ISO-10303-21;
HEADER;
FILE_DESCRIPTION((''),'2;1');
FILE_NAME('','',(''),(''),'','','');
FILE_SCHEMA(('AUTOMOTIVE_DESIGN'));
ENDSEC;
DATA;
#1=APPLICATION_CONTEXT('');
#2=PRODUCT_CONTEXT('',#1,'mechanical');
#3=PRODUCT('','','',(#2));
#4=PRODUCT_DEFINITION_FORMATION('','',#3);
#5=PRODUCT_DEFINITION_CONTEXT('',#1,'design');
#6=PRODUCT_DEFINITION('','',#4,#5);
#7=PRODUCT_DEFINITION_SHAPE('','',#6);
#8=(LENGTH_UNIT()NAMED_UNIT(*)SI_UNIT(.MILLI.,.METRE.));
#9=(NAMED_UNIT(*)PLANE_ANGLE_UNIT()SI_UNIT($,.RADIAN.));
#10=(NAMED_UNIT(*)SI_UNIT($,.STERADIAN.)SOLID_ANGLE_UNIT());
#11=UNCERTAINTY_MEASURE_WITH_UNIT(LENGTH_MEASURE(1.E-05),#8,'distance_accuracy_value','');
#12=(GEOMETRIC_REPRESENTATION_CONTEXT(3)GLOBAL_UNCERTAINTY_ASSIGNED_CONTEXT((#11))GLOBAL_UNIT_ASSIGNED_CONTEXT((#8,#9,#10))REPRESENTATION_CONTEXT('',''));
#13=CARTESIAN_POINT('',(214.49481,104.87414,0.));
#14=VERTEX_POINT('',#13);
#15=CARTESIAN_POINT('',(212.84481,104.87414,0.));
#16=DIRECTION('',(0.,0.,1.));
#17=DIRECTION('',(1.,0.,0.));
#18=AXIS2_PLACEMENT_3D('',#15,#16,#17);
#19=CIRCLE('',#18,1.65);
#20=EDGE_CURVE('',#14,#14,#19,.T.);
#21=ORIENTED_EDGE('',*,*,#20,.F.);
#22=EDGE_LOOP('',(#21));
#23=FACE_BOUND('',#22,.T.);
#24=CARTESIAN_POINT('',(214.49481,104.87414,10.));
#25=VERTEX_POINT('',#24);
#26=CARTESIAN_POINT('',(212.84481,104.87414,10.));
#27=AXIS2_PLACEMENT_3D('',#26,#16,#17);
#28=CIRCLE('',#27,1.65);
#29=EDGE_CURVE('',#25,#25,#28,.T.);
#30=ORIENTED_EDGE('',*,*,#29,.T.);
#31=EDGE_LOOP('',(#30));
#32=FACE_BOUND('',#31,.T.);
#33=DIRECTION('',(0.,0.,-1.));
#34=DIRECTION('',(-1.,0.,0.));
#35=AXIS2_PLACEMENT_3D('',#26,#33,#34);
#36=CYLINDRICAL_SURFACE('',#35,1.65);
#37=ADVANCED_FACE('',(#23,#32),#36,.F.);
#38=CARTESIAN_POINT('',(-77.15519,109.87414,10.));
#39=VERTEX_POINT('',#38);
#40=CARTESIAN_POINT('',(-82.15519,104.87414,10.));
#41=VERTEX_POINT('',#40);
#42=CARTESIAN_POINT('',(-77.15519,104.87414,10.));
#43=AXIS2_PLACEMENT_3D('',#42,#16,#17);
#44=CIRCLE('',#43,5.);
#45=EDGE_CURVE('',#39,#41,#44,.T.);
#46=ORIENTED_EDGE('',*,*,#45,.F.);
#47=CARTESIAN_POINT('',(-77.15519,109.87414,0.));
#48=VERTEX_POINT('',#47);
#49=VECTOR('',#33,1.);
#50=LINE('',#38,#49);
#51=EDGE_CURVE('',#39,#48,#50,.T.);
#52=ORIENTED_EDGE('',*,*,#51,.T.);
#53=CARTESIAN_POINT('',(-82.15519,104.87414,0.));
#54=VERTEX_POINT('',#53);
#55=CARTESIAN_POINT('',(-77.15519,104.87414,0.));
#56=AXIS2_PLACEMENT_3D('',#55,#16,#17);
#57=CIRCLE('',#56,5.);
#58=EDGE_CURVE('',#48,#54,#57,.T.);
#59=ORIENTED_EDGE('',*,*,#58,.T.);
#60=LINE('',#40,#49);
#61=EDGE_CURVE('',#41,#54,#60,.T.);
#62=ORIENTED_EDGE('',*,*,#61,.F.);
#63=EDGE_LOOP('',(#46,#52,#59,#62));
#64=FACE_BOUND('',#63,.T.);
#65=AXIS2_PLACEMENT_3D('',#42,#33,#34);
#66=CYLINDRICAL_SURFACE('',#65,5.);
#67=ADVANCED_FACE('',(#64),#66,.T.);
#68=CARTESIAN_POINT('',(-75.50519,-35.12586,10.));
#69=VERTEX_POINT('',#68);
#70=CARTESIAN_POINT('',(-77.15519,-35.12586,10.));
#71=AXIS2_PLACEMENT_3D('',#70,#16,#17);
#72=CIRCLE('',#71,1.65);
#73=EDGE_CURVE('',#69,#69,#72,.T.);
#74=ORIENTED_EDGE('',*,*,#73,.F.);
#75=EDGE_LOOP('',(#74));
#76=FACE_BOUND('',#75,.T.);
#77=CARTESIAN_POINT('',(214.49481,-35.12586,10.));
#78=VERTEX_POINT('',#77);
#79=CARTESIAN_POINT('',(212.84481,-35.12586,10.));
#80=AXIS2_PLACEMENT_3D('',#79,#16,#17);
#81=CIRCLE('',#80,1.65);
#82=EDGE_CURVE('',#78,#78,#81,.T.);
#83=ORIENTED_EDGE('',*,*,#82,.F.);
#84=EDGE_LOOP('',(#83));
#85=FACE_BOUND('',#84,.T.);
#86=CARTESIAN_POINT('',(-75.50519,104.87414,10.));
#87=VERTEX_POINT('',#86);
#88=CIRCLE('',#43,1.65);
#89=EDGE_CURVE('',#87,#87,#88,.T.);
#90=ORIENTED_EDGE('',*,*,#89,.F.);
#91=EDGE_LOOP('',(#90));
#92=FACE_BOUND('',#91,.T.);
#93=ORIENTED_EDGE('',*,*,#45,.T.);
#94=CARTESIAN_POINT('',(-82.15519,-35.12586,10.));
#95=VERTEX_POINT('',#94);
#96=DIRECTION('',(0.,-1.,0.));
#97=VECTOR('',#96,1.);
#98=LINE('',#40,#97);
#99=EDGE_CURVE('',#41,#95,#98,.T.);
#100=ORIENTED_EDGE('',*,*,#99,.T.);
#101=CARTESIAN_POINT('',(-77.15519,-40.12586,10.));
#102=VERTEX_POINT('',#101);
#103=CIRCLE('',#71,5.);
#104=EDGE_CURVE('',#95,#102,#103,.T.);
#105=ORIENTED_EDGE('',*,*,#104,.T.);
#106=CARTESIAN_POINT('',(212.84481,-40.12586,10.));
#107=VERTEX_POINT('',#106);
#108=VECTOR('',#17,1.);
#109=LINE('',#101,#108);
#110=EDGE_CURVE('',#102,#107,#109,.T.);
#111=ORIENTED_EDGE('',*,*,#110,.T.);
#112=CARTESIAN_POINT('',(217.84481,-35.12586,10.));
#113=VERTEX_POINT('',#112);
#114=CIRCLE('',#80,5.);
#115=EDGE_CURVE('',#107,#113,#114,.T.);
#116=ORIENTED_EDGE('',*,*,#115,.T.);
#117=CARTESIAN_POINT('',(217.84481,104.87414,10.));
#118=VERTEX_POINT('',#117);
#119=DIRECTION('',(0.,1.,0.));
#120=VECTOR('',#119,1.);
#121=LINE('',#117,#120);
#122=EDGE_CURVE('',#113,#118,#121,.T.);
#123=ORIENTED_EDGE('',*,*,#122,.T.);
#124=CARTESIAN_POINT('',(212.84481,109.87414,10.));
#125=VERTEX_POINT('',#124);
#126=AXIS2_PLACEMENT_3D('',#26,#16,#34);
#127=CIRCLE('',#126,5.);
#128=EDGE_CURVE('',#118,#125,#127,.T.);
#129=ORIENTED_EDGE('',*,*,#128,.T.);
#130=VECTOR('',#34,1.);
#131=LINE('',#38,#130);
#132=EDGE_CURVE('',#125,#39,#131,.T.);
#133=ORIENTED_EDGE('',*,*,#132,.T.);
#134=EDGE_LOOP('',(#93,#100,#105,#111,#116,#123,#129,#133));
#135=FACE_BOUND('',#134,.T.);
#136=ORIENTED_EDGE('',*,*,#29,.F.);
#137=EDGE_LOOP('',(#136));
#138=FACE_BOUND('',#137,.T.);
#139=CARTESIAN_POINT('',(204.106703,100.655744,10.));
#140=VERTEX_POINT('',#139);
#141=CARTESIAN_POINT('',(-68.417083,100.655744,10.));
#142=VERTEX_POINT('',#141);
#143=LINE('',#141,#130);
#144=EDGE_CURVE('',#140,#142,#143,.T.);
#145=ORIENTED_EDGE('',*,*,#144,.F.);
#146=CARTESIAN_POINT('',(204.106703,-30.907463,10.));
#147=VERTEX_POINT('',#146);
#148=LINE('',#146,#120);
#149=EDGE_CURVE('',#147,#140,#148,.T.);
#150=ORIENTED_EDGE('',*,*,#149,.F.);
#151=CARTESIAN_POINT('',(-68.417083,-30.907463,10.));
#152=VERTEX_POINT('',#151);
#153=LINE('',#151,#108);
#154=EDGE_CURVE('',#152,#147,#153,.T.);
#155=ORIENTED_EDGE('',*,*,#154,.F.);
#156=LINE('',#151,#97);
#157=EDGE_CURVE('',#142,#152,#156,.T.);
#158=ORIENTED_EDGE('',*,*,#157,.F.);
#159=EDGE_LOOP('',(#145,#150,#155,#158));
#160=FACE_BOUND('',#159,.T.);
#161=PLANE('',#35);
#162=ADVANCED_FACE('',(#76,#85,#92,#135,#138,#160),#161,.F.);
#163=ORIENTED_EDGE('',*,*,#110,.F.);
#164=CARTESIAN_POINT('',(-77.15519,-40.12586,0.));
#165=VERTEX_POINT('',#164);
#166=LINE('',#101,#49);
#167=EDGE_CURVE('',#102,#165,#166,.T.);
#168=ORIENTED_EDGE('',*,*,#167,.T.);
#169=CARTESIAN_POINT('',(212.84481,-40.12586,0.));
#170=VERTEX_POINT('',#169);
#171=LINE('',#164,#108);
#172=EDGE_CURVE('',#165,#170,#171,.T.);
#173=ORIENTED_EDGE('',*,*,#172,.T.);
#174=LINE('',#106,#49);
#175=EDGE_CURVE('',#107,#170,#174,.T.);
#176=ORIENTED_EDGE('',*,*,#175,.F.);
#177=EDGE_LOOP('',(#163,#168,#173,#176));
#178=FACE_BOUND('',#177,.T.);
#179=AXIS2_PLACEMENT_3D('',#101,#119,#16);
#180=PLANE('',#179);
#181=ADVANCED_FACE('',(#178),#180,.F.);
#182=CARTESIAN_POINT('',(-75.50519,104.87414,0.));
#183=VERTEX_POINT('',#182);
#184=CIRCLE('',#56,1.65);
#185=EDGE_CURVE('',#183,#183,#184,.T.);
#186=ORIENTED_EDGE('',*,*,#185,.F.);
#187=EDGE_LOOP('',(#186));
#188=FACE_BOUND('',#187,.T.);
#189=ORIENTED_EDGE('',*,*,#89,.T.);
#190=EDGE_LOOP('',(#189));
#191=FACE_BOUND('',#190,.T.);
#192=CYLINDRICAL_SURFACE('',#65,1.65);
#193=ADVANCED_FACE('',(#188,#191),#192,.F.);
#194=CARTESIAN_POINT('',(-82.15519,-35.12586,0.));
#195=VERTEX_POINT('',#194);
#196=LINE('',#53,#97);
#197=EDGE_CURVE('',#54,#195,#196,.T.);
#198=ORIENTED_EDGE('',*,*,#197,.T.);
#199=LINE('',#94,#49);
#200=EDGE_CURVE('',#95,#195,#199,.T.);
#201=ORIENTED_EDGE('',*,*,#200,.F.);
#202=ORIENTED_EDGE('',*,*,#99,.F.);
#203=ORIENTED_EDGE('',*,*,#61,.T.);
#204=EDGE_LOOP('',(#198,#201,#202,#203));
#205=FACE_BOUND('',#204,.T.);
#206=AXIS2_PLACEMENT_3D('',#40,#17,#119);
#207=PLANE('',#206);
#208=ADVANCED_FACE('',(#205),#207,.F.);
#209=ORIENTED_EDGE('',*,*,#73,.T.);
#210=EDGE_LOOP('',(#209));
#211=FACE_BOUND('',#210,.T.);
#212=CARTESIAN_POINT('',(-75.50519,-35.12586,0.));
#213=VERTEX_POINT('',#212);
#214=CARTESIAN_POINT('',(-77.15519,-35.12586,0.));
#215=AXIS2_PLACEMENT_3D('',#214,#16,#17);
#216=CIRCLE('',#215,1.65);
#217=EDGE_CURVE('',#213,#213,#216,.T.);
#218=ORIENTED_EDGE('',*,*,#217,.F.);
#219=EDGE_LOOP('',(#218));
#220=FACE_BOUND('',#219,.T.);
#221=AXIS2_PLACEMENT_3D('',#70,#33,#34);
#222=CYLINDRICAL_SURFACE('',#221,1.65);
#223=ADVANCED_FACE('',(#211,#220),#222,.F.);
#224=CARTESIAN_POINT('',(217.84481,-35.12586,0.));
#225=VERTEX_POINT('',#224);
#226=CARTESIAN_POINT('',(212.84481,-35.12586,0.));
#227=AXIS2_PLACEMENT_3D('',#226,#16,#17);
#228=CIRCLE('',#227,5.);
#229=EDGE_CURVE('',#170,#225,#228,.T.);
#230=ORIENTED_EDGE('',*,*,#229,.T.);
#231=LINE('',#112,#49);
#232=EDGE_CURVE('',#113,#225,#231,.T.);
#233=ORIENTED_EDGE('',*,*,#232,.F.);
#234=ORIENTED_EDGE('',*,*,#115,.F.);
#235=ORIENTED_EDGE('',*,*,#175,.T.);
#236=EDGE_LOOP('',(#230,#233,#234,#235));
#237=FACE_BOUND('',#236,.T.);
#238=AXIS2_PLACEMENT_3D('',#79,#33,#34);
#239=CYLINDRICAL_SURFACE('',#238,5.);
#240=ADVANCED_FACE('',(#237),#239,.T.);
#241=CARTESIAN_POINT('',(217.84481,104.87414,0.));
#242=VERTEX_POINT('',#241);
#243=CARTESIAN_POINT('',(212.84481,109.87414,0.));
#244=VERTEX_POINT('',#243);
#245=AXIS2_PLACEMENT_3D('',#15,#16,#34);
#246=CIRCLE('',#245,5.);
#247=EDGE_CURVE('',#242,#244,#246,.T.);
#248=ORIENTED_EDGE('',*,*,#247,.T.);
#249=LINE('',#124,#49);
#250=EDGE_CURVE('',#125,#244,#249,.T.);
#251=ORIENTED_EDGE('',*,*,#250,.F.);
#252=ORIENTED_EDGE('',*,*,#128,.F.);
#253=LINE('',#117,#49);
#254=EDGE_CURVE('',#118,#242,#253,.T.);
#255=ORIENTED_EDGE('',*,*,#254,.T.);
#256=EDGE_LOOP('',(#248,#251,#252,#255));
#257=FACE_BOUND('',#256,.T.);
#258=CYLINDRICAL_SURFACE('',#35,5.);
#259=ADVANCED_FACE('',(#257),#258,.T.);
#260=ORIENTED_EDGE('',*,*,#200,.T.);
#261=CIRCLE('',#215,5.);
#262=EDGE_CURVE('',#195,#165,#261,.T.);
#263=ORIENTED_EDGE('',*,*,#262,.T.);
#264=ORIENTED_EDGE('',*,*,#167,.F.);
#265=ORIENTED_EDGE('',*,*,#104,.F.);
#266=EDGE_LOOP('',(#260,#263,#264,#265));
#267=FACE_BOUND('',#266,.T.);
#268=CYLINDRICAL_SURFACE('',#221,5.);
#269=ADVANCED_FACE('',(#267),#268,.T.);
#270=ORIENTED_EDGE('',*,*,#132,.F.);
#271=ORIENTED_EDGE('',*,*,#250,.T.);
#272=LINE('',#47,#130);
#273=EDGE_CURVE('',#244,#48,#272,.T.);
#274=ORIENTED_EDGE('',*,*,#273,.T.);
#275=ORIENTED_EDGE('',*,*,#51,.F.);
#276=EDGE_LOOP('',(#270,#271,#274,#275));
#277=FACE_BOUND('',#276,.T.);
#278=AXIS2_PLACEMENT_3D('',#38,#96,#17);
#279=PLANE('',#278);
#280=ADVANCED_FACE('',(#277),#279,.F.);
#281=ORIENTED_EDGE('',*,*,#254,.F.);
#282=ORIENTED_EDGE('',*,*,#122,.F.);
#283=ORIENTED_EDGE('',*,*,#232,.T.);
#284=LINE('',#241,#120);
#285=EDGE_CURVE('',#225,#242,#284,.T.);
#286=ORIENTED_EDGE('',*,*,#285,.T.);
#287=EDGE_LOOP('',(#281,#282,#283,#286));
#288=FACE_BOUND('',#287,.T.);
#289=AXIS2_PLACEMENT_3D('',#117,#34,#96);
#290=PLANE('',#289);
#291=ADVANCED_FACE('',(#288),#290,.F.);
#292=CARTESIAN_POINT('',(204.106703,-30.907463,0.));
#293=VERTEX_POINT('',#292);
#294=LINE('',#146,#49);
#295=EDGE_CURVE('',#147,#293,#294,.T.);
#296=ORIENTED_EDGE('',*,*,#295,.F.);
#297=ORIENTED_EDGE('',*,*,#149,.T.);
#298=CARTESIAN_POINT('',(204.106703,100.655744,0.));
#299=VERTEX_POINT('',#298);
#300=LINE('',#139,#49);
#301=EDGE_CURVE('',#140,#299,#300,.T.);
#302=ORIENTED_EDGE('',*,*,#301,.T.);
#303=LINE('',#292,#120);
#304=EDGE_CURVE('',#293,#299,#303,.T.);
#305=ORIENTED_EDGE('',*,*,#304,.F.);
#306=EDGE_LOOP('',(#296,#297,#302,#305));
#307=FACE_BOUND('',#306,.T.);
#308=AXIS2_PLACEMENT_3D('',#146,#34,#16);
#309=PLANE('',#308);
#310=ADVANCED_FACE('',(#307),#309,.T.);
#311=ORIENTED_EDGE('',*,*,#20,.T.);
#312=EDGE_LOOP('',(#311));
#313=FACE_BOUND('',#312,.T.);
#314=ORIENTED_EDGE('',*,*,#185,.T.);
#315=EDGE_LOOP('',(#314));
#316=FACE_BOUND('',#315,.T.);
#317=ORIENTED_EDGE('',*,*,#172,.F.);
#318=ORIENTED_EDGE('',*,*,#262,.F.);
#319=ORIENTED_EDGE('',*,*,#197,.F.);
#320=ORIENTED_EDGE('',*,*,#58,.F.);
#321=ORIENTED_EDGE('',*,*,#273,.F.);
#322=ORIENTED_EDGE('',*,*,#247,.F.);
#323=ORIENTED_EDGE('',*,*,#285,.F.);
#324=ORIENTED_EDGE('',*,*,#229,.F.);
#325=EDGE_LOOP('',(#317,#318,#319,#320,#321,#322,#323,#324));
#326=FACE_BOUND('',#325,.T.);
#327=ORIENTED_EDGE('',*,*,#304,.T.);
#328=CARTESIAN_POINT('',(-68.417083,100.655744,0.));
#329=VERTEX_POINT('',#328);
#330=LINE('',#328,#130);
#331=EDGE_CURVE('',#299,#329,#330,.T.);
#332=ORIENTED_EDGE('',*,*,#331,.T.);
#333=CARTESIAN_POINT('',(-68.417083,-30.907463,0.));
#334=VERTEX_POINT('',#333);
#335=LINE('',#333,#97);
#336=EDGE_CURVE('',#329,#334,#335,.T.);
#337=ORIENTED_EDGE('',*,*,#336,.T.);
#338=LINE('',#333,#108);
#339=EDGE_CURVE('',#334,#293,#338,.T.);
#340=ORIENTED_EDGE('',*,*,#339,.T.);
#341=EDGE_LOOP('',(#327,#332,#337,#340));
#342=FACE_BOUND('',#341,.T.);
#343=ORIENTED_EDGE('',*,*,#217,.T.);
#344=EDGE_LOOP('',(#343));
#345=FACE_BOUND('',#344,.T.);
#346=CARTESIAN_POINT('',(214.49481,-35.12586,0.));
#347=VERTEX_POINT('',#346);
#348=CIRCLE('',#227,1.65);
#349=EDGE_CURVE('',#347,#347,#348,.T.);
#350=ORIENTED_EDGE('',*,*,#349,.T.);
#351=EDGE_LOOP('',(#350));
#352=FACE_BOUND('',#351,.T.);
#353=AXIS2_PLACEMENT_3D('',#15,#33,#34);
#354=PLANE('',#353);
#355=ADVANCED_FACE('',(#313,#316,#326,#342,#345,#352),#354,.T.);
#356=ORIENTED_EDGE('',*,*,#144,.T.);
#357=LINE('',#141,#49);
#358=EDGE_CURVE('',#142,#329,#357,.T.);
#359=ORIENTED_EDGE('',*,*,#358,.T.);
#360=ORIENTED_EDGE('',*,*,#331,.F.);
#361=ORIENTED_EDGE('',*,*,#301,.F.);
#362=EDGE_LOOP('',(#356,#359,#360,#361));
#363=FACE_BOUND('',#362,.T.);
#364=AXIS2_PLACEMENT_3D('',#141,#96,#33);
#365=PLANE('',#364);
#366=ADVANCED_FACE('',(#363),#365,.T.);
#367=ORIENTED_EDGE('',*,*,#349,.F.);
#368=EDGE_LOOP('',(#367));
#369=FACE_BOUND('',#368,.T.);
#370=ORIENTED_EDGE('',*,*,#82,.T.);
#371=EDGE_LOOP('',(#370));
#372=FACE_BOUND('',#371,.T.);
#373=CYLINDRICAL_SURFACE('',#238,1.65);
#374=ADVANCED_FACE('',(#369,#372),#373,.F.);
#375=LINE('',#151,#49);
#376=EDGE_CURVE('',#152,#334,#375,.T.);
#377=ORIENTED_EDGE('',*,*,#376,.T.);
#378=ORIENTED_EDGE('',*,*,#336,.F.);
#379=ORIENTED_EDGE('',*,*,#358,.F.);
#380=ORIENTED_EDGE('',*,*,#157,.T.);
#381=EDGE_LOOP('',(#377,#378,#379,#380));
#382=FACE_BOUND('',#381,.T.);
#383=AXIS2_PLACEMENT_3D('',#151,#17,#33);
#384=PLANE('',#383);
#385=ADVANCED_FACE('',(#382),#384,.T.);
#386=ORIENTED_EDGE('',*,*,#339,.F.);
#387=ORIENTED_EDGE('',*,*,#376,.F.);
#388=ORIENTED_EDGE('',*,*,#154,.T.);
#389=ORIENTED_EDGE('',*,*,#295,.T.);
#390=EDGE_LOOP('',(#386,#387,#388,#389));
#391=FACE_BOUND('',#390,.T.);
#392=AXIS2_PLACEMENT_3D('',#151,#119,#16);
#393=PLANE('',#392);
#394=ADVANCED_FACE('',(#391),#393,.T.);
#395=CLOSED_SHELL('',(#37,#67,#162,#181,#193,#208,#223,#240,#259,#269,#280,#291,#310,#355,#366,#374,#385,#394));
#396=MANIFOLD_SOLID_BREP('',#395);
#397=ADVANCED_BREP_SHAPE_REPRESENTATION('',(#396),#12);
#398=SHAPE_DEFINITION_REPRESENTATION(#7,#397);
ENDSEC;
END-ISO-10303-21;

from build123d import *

# Parameters (mm, degrees)
SKETCH_1_R      = 1.65
SKETCH_1_W      = 272.523786307
SKETCH_1_H      = 131.563207183
EXTRUDE_4_DEPTH = 10


with BuildPart() as part:
    # 草图1 → 凸台-拉伸4 (new body)
    with BuildSketch(Plane.XY):
        with BuildLine():
            Line((-77.155190134, 109.874140248), (212.844809866, 109.874140248))
            ThreePointArc((212.844809866, 109.874140248), (216.380343772, 108.409674154), (217.844809866, 104.874140248))
            Line((217.844809866, 104.874140248), (217.844809866, -35.125859752))
            ThreePointArc((217.844809866, -35.125859752), (216.380343772, -38.661393658), (212.844809866, -40.125859752))
            Line((212.844809866, -40.125859752), (-77.155190134, -40.125859752))
            ThreePointArc((-77.155190134, -40.125859752), (-80.69072404, -38.661393658), (-82.155190134, -35.125859752))
            Line((-82.155190134, -35.125859752), (-82.155190134, 104.874140248))
            ThreePointArc((-82.155190134, 104.874140248), (-80.69072404, 108.409674154), (-77.155190134, 109.874140248))
        make_face()
        with Locations((-77.155190134, 104.874140248)):
            Circle(SKETCH_1_R, mode=Mode.SUBTRACT)
        with Locations((212.844809866, -35.125859752)):
            Circle(SKETCH_1_R, mode=Mode.SUBTRACT)
        with Locations((-77.155190134, -35.125859752)):
            Circle(SKETCH_1_R, mode=Mode.SUBTRACT)
        with Locations((212.844809866, 104.874140248)):
            Circle(SKETCH_1_R, mode=Mode.SUBTRACT)
        with Locations((67.844809867, 34.874140248)):
            Rectangle(SKETCH_1_W, SKETCH_1_H, mode=Mode.SUBTRACT)
    extrude(amount=EXTRUDE_4_DEPTH)


solid = part.part
